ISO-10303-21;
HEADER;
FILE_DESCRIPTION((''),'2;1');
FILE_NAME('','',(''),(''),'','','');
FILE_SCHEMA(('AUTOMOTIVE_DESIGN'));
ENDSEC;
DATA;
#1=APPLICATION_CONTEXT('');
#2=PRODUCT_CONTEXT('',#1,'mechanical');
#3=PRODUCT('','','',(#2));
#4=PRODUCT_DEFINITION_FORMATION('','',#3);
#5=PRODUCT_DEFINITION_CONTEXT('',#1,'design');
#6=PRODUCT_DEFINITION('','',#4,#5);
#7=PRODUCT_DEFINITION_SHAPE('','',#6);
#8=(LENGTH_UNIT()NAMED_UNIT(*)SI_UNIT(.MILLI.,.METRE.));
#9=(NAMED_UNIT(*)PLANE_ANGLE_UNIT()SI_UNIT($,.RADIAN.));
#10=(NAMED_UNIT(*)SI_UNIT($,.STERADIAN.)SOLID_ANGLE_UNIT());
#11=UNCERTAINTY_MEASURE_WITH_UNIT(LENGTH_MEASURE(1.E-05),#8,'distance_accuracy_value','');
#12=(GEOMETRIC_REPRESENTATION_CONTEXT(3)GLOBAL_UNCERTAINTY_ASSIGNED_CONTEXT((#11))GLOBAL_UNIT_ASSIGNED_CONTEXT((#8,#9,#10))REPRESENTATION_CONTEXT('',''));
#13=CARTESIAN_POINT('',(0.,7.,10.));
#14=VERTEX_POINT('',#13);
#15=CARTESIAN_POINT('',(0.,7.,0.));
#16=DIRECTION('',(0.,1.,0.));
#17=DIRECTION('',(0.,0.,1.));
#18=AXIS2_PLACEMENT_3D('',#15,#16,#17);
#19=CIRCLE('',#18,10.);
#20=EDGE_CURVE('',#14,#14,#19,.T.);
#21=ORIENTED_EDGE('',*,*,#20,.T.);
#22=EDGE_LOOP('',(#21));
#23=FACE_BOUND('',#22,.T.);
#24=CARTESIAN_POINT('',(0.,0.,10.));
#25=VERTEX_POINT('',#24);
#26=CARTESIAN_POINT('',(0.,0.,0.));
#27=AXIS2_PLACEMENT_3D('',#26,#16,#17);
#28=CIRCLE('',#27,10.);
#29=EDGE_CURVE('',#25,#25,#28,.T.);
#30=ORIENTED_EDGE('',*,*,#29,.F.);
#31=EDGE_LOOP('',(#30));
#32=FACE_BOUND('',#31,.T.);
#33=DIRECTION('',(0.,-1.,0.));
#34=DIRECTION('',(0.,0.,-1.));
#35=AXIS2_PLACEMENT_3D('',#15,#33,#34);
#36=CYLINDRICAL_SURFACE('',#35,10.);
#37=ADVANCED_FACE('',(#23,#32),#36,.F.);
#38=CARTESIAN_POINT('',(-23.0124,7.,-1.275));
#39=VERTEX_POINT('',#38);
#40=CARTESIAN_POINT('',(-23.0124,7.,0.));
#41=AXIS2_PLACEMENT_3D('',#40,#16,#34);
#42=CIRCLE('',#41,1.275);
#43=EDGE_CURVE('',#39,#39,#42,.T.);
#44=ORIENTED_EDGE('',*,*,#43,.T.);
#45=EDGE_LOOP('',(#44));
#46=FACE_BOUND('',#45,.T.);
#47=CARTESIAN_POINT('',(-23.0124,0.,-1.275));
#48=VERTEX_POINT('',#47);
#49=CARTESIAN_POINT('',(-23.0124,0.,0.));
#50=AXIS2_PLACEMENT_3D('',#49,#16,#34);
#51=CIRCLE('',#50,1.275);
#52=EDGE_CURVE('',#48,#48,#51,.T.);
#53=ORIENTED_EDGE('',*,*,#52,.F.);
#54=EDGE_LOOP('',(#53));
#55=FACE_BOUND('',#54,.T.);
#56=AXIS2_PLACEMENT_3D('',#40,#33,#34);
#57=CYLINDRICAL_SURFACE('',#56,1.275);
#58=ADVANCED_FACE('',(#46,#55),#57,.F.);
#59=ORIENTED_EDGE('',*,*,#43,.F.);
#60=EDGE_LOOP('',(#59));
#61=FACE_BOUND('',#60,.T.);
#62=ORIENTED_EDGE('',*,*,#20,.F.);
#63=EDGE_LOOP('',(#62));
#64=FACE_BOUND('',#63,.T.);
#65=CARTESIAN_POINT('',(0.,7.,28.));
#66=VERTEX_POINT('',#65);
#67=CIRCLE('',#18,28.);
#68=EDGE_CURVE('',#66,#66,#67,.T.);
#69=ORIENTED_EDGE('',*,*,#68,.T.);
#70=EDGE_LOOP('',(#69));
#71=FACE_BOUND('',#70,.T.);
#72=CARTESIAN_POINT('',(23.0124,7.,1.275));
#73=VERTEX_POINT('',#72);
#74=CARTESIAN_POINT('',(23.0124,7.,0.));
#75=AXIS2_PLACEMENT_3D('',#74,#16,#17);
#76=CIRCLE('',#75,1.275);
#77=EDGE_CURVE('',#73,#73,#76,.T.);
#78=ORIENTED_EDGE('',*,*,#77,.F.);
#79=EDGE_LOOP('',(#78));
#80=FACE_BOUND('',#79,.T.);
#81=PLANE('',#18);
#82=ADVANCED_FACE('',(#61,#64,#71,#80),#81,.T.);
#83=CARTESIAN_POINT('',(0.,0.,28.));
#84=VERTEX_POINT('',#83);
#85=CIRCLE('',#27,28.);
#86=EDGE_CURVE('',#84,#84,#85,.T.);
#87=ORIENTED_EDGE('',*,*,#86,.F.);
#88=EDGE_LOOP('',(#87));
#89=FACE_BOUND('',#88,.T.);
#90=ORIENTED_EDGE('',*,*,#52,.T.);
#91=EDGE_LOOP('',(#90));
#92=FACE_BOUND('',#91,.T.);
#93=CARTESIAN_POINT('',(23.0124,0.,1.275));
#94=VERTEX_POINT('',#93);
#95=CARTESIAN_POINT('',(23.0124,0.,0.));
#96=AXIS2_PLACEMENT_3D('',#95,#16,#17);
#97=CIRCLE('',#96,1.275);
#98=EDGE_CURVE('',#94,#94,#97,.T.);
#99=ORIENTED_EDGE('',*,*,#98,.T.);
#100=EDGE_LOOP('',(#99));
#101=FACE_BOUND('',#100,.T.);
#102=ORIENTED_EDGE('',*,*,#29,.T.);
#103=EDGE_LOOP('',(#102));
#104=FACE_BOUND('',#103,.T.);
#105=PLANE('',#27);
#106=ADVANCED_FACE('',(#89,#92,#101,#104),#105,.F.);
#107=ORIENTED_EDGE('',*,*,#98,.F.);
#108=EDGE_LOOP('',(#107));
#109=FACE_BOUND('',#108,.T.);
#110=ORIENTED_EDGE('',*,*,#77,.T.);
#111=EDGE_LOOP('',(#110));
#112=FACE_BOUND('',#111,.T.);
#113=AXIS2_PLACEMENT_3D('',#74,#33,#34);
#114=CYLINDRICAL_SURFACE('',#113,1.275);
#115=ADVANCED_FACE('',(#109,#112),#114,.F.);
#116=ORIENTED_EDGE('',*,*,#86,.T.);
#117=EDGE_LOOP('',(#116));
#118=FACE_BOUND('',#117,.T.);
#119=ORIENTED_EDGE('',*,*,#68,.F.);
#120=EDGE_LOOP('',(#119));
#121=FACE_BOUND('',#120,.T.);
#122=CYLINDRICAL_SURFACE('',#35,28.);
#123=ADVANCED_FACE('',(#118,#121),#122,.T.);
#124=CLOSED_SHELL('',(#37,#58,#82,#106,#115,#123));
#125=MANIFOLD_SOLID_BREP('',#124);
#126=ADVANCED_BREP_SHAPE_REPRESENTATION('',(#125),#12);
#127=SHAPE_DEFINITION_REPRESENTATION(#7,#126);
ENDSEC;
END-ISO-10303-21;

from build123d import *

# Parameters (mm, degrees)
SKETCH1_R           = 28
BOSS_EXTRUDE1_DEPTH = 7
SKETCH2_R           = 10
CUT_EXTRUDE1_DEPTH  = 41.211938526
SKETCH3_R           = 1.275
CUT_EXTRUDE2_DEPTH  = 41.211938526
CIRPATTERN1_COUNT   = 2


with BuildPart() as part:
    # Sketch1 → Boss-Extrude1 (new body)
    with BuildSketch(Plane(origin=(0, 0, 0), x_dir=(1, 0, 0), z_dir=(0, 1, 0))):
        with Locations(Location((0, 0, 0), (0, 0, 270))):
            Circle(SKETCH1_R)
    extrude(amount=BOSS_EXTRUDE1_DEPTH)

    # Sketch2 → Cut-Extrude1 (cut, through all)
    with BuildSketch(Plane(origin=(0, 0, 0), x_dir=(1, 0, 0), z_dir=(0, 1, 0))):
        with Locations(Location((0, 0, 0), (0, 0, 270))):
            Circle(SKETCH2_R)
    extrude(amount=CUT_EXTRUDE1_DEPTH, mode=Mode.SUBTRACT)

    # Sketch3 → Cut-Extrude2 (cut, through all)
    with BuildSketch(Plane(origin=(0, 0, 0), x_dir=(1, 0, 0), z_dir=(0, 1, 0))):
        with Locations(Location((23.0124, 0, 0), (0, 0, 270))):
            Circle(SKETCH3_R)
    cut_extrude2 = extrude(amount=CUT_EXTRUDE2_DEPTH, mode=Mode.SUBTRACT)

    # CirPattern1: Cut-Extrude2 ×2 about axis
    cirpattern1_axis = Axis((0, 0, 0), (0, 1, 0))
    for i in range(1, CIRPATTERN1_COUNT):
        add(cut_extrude2.rotate(cirpattern1_axis, i * 360 / CIRPATTERN1_COUNT), mode=Mode.SUBTRACT)


solid = part.part
